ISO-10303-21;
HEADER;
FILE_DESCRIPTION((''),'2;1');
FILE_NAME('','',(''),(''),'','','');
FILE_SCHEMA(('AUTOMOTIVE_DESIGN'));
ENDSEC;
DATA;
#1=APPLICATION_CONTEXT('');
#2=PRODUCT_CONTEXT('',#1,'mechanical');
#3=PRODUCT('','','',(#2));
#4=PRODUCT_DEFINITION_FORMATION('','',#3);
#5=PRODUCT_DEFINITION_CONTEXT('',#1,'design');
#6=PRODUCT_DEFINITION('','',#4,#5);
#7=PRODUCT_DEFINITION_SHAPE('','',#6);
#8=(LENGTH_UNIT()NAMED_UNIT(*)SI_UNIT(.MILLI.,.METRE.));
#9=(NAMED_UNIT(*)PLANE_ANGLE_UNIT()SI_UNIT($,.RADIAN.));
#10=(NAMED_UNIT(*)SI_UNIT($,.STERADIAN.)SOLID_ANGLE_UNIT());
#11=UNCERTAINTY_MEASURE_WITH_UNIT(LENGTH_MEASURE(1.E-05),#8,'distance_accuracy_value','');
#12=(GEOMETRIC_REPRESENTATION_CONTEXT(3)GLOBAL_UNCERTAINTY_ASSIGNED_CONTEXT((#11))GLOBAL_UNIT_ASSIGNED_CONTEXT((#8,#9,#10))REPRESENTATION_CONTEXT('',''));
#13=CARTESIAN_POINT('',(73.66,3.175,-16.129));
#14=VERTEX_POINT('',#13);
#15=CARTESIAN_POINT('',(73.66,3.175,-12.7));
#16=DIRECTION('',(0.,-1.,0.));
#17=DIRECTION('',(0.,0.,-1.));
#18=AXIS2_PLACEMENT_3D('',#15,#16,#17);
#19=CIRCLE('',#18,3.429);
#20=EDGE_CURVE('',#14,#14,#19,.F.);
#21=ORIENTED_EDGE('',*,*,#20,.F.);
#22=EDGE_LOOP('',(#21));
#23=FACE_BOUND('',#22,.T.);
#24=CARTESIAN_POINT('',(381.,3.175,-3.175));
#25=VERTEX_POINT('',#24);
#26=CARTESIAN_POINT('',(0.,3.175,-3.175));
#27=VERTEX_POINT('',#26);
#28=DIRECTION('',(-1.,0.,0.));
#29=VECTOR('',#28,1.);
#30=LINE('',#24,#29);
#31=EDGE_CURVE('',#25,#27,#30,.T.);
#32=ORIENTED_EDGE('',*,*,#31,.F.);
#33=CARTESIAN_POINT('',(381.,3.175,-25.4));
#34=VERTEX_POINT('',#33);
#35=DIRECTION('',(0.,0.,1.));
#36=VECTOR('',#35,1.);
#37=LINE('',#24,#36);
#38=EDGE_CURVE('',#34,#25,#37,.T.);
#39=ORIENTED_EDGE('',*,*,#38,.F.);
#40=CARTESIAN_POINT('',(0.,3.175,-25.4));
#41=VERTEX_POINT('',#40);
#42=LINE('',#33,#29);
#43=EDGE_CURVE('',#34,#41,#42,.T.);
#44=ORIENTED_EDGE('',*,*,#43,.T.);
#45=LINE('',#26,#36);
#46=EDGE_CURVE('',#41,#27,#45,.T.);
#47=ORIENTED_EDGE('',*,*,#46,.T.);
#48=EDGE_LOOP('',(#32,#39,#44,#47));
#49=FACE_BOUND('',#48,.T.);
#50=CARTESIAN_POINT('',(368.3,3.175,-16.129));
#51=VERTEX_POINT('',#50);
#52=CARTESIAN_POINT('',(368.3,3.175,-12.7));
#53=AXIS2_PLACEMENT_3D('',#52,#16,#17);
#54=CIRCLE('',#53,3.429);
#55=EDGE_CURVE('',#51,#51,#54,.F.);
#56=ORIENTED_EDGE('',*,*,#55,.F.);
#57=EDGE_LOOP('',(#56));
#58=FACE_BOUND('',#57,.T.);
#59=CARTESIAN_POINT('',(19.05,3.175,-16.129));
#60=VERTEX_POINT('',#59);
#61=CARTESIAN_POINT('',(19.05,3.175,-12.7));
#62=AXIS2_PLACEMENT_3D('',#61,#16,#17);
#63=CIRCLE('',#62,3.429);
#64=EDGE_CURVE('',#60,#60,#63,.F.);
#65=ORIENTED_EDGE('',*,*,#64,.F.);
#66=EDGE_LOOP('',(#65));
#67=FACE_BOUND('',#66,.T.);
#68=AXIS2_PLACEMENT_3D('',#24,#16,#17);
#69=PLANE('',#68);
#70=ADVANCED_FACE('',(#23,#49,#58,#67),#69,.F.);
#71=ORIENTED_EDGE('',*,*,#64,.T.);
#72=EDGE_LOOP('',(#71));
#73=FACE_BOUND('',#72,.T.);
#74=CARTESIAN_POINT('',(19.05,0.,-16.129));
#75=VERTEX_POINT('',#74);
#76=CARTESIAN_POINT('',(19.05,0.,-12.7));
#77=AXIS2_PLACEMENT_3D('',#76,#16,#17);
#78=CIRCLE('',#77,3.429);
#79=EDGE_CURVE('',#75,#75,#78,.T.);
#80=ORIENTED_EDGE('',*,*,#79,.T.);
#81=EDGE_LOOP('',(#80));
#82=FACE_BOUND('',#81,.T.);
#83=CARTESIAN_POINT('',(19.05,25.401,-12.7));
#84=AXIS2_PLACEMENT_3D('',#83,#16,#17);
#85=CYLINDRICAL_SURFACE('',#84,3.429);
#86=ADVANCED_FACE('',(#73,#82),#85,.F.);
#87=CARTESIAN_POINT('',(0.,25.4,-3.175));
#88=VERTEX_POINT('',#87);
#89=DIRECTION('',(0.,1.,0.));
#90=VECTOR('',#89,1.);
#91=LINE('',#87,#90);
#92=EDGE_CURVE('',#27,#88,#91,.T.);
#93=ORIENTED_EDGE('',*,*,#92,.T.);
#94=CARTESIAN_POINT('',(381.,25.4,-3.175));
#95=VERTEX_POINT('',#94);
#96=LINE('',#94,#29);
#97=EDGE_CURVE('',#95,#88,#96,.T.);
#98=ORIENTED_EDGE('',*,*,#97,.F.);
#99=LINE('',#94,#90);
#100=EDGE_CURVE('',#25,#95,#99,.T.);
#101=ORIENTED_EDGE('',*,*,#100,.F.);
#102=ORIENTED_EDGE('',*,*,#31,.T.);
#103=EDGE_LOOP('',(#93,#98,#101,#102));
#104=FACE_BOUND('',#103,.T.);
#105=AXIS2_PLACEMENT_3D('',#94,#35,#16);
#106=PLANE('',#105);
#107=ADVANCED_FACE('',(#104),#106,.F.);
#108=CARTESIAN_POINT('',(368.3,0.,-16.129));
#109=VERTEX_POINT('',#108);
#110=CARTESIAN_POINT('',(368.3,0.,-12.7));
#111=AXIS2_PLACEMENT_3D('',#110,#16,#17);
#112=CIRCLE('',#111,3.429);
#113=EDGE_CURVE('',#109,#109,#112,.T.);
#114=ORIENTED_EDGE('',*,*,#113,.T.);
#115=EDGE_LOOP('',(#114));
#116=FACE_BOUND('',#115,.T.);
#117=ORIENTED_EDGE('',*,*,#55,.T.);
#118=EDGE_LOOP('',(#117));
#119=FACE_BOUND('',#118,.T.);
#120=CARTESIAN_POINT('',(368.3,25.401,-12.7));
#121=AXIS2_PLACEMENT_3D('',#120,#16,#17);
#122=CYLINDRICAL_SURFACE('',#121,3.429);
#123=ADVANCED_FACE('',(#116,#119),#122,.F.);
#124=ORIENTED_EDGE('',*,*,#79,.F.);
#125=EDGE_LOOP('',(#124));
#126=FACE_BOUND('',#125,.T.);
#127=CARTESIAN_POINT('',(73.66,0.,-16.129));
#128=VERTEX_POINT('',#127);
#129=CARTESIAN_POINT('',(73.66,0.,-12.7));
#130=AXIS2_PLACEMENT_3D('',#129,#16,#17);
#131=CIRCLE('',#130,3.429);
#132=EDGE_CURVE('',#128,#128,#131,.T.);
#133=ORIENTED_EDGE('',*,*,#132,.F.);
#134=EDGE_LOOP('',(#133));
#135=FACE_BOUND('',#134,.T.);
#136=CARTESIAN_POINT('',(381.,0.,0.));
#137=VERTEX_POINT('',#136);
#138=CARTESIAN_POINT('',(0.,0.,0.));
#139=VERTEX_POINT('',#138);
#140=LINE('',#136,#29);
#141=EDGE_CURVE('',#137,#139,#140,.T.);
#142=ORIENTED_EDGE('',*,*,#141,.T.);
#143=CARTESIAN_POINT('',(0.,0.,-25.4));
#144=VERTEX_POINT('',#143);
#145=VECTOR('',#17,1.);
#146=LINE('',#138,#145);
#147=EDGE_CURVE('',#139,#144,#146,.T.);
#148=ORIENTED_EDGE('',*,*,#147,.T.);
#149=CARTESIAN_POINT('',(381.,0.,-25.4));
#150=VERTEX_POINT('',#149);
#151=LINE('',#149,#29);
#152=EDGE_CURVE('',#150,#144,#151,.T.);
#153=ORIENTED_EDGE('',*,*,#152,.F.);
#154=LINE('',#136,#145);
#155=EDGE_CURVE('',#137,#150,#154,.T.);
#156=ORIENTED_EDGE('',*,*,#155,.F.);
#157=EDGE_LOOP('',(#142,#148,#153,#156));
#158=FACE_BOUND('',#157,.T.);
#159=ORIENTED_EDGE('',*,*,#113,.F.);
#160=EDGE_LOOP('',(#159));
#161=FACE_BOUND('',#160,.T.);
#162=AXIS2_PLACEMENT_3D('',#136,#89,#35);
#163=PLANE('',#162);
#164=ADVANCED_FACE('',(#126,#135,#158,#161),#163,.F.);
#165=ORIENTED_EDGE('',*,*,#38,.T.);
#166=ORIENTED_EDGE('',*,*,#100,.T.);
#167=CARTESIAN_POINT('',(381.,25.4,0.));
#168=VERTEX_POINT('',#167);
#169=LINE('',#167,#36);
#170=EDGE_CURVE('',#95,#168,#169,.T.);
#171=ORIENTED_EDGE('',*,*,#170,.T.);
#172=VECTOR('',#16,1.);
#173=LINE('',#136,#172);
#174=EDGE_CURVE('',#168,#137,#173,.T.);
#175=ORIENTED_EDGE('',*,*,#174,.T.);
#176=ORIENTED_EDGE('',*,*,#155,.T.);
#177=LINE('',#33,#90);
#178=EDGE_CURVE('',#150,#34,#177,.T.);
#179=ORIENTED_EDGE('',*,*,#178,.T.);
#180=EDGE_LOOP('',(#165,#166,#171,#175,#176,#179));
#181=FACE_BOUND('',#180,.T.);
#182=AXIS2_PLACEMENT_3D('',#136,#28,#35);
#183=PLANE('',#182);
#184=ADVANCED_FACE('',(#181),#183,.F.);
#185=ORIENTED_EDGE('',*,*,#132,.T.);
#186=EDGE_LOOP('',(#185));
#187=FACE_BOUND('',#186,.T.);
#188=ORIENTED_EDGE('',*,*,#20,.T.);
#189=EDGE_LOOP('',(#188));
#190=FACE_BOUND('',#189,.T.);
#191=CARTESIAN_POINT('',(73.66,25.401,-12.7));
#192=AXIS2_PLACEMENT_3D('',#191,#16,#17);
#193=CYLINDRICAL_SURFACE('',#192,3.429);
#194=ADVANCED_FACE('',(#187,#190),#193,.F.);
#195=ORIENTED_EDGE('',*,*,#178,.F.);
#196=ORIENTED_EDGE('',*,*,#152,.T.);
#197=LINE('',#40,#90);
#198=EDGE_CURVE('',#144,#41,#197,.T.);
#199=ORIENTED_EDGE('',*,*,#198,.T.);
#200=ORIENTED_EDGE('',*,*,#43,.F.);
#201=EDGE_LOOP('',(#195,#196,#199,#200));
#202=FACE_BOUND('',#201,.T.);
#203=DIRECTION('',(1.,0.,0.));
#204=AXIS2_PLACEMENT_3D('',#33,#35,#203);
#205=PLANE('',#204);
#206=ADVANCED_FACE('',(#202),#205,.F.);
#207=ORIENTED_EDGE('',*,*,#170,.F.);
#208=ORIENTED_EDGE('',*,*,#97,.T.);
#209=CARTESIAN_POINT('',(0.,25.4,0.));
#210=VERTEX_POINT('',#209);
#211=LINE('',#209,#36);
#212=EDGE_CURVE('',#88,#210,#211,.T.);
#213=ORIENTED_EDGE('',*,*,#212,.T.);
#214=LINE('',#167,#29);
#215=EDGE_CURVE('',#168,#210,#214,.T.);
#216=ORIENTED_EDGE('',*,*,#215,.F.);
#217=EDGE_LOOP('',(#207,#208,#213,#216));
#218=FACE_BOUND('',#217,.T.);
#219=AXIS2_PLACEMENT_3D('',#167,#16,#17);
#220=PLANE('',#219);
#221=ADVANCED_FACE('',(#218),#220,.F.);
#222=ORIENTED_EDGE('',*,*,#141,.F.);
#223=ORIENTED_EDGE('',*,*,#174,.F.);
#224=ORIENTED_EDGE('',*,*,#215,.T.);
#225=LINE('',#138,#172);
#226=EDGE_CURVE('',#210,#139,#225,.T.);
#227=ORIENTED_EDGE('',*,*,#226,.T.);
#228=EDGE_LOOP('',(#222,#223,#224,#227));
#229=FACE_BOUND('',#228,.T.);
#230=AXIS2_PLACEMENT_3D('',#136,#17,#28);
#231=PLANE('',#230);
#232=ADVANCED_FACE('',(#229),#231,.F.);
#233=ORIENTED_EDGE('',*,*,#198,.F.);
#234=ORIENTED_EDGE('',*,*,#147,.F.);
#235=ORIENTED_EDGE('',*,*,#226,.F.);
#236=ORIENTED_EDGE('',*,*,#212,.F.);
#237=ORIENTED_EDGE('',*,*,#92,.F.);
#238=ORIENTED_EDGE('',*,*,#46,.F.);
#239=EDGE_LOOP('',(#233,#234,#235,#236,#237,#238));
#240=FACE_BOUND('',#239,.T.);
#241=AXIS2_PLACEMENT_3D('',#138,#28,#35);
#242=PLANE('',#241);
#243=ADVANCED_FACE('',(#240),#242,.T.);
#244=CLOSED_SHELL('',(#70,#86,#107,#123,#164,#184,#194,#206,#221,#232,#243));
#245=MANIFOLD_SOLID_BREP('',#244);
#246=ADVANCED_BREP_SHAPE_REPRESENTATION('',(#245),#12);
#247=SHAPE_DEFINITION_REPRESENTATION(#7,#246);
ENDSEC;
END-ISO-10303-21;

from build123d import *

# Parameters (mm, degrees)
BOSS_EXTRUDE1_DEPTH = 381
CUT_EXTRUDE1_REACH  = 27.4
SKETCH2_R           = 3.429


with BuildPart() as part:
    # Sketch1 → Boss-Extrude1 (new body)
    with BuildSketch(Plane(origin=(0, 0, 0), x_dir=(0, 0, -1), z_dir=(1, 0, 0))):
        Polygon((0, 0), (25.4, 0), (25.4, 3.175), (3.175, 3.175), (3.175, 25.4), (0, 25.4), align=None)
    extrude(amount=BOSS_EXTRUDE1_DEPTH)

    # Sketch2 → Cut-Extrude1 (cut, up to next)
    with BuildSketch(Plane.XZ, mode=Mode.PRIVATE) as cut_extrude1_sk1:
        with Locations((73.66, -12.7)):
            Circle(SKETCH2_R)
    cut_extrude1_tool1 = extrude(cut_extrude1_sk1.sketch, amount=-CUT_EXTRUDE1_REACH, mode=Mode.PRIVATE) & part.part
    add(cut_extrude1_tool1.solids().sort_by_distance((73.66, 0, -12.7))[0], mode=Mode.SUBTRACT)
    # Sketch2 → Cut-Extrude1 (cut, up to next)
    with BuildSketch(Plane.XZ, mode=Mode.PRIVATE) as cut_extrude1_sk2:
        with Locations((368.3, -12.7)):
            Circle(SKETCH2_R)
    cut_extrude1_tool2 = extrude(cut_extrude1_sk2.sketch, amount=-CUT_EXTRUDE1_REACH, mode=Mode.PRIVATE) & part.part
    add(cut_extrude1_tool2.solids().sort_by_distance((368.3, 0, -12.7))[0], mode=Mode.SUBTRACT)
    # Sketch2 → Cut-Extrude1 (cut, up to next)
    with BuildSketch(Plane.XZ, mode=Mode.PRIVATE) as cut_extrude1_sk3:
        with Locations((19.05, -12.7)):
            Circle(SKETCH2_R)
    cut_extrude1_tool3 = extrude(cut_extrude1_sk3.sketch, amount=-CUT_EXTRUDE1_REACH, mode=Mode.PRIVATE) & part.part
    add(cut_extrude1_tool3.solids().sort_by_distance((19.05, 0, -12.7))[0], mode=Mode.SUBTRACT)


solid = part.part
